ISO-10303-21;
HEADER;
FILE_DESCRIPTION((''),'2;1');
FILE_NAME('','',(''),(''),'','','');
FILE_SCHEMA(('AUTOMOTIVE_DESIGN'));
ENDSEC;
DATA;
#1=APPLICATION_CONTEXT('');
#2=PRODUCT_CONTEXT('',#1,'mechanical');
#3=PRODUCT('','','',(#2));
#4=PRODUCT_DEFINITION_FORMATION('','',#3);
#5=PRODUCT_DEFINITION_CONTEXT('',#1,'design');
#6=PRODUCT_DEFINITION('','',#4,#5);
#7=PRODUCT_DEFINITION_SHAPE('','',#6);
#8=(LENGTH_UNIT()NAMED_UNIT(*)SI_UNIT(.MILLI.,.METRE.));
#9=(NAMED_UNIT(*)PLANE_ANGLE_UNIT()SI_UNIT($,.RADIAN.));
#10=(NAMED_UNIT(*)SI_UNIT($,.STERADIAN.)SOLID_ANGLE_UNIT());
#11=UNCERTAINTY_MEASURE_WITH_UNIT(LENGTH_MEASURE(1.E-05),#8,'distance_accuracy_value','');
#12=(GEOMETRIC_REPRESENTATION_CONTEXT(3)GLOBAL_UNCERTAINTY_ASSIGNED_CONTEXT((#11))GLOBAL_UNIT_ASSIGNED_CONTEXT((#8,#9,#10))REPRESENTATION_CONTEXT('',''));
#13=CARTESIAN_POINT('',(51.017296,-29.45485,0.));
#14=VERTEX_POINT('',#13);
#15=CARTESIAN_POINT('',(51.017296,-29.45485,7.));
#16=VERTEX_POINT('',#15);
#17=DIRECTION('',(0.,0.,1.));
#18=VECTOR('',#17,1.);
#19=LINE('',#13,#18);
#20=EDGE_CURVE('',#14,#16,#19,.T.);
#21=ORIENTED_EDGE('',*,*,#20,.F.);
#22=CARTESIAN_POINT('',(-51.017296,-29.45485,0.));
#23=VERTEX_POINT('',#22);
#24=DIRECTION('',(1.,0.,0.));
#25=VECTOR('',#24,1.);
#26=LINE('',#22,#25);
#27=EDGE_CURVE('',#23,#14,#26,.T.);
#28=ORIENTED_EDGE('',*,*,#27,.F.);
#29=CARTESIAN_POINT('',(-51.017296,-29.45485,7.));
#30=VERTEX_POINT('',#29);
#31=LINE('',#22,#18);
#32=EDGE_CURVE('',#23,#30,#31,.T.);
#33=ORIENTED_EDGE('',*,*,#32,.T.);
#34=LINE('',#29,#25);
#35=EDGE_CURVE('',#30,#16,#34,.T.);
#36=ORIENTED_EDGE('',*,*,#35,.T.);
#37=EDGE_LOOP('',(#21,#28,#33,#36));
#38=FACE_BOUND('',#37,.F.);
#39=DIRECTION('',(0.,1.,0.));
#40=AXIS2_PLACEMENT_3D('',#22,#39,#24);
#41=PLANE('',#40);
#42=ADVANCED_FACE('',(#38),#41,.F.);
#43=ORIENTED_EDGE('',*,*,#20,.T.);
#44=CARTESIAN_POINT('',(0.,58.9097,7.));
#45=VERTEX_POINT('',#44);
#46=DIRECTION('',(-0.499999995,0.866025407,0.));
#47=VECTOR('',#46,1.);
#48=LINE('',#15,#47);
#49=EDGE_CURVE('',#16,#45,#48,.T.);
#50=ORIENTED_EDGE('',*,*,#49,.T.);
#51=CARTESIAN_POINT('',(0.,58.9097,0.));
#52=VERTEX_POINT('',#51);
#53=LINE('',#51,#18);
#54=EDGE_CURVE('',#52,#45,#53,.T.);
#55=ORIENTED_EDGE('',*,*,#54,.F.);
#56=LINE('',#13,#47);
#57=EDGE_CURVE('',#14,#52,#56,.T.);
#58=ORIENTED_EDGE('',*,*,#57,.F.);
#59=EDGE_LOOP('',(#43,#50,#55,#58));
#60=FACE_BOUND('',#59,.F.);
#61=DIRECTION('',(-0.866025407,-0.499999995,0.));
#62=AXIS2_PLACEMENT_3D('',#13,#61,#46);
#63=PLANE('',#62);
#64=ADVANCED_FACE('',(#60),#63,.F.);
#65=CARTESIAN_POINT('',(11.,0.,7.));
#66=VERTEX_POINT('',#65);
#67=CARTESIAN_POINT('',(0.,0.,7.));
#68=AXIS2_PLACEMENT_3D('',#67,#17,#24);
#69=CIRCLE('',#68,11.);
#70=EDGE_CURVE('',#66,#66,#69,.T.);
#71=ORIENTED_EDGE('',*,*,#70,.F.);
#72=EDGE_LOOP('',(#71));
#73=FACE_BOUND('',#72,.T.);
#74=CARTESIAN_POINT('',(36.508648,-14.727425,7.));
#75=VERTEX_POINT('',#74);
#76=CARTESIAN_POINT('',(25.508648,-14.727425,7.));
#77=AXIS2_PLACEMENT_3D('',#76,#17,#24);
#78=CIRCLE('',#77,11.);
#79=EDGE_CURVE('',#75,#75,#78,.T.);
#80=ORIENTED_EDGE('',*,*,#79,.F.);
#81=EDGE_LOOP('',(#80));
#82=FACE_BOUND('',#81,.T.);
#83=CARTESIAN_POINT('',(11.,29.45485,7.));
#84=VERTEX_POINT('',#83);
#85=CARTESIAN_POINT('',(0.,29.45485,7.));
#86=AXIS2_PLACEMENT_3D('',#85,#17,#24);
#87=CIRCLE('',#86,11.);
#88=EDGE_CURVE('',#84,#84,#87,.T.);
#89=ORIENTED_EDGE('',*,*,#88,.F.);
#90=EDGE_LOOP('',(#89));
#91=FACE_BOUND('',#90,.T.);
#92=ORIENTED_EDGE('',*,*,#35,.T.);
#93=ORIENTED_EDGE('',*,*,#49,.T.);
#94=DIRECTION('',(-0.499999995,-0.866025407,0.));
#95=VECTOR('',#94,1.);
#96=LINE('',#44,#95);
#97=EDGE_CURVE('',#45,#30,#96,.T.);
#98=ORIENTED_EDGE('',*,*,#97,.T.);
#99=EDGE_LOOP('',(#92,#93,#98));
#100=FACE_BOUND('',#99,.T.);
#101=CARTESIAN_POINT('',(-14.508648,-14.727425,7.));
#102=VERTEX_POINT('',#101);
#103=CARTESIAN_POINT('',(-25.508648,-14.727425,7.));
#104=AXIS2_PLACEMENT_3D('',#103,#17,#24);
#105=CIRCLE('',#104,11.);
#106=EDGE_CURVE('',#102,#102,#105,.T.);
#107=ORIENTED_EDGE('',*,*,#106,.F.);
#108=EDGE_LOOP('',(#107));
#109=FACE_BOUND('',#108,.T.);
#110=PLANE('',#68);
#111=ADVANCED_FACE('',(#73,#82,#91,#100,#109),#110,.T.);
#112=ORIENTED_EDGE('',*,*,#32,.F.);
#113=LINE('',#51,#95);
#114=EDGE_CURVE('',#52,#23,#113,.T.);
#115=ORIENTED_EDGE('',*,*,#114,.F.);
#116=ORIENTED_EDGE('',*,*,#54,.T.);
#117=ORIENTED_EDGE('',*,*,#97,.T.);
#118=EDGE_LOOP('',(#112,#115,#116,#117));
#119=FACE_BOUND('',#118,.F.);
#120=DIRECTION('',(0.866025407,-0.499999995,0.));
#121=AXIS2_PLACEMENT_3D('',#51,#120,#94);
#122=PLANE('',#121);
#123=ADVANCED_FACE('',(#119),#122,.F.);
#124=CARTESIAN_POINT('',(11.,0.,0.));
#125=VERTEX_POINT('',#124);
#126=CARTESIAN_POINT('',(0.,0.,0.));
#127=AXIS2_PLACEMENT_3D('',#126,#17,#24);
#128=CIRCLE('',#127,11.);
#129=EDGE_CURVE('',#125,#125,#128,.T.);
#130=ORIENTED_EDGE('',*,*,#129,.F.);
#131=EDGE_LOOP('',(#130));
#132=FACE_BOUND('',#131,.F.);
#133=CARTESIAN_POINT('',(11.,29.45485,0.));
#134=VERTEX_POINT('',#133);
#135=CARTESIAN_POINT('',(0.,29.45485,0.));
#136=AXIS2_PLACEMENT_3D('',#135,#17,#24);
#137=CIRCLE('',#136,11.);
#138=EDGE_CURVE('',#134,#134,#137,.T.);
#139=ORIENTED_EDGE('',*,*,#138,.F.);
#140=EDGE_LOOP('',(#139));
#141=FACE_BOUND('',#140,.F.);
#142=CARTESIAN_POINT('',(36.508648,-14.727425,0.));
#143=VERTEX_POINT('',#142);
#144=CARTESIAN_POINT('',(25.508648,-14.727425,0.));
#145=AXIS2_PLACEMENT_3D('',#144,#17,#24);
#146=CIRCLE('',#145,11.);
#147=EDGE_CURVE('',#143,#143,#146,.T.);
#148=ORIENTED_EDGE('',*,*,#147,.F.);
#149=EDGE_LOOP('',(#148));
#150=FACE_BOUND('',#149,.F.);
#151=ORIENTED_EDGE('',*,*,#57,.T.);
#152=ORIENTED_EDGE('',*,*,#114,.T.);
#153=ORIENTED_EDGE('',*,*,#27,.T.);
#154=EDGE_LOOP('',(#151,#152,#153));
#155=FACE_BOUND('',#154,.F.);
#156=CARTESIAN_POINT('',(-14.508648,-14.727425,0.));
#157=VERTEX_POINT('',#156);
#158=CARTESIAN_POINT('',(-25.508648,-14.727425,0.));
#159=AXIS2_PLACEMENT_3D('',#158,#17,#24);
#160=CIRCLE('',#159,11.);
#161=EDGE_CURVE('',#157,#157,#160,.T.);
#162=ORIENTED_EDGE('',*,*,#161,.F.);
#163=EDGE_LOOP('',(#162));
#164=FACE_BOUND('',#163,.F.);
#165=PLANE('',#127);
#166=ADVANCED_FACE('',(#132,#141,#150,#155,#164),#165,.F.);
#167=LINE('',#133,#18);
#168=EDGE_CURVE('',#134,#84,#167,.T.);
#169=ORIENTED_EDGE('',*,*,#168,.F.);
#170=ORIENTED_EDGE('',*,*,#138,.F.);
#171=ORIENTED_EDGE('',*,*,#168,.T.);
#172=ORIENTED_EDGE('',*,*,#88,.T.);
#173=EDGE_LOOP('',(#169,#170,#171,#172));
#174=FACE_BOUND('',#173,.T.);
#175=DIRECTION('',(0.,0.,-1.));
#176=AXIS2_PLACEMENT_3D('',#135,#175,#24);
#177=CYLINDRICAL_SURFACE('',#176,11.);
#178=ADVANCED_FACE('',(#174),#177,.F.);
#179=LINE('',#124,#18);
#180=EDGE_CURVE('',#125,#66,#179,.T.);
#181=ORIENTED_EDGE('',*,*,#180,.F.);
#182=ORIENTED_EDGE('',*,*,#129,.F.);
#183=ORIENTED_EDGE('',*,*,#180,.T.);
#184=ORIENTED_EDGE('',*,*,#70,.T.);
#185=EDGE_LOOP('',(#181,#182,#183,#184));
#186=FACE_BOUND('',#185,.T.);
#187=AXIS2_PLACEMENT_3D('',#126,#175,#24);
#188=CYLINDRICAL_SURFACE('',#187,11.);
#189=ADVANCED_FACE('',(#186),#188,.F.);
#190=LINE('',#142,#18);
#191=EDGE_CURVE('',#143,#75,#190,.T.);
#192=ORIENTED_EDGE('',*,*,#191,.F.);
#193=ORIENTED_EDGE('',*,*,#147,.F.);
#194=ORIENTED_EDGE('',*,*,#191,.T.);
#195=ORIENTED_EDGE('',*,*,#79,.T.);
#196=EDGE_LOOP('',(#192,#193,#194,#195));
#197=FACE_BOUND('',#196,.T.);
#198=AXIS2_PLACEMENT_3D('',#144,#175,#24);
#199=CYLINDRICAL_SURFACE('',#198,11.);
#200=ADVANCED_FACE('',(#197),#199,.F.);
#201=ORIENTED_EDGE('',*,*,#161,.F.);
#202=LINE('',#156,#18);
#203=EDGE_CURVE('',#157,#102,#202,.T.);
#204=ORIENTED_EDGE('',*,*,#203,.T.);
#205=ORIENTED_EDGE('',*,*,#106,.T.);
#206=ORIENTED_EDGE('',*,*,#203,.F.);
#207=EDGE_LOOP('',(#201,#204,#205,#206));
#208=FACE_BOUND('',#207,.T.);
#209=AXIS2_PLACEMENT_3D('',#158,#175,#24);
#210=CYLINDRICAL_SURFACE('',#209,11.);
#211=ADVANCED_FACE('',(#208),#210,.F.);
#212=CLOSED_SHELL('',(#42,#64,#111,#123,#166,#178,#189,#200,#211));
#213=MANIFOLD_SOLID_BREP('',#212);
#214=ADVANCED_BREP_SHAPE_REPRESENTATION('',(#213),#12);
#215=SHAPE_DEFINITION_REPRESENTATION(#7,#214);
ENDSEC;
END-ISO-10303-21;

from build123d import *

# Parameters (mm, degrees)
F0_R     = 11
F1_DEPTH = 7


with BuildPart() as f1:
    # F0 (on Top) → F1 (new body)
    with BuildSketch(Plane.XY):
        Polygon((-51.017296, -29.45485), (51.017296, -29.45485), (0, 58.9097), align=None)
        with Locations((-25.508648, -14.727425)):
            Circle(F0_R, mode=Mode.SUBTRACT)
        with Locations((25.508648, -14.727425)):
            Circle(F0_R, mode=Mode.SUBTRACT)
        Circle(F0_R, mode=Mode.SUBTRACT)
        with Locations((0, 29.45485)):
            Circle(F0_R, mode=Mode.SUBTRACT)
    extrude(amount=F1_DEPTH)


solid = f1.part
